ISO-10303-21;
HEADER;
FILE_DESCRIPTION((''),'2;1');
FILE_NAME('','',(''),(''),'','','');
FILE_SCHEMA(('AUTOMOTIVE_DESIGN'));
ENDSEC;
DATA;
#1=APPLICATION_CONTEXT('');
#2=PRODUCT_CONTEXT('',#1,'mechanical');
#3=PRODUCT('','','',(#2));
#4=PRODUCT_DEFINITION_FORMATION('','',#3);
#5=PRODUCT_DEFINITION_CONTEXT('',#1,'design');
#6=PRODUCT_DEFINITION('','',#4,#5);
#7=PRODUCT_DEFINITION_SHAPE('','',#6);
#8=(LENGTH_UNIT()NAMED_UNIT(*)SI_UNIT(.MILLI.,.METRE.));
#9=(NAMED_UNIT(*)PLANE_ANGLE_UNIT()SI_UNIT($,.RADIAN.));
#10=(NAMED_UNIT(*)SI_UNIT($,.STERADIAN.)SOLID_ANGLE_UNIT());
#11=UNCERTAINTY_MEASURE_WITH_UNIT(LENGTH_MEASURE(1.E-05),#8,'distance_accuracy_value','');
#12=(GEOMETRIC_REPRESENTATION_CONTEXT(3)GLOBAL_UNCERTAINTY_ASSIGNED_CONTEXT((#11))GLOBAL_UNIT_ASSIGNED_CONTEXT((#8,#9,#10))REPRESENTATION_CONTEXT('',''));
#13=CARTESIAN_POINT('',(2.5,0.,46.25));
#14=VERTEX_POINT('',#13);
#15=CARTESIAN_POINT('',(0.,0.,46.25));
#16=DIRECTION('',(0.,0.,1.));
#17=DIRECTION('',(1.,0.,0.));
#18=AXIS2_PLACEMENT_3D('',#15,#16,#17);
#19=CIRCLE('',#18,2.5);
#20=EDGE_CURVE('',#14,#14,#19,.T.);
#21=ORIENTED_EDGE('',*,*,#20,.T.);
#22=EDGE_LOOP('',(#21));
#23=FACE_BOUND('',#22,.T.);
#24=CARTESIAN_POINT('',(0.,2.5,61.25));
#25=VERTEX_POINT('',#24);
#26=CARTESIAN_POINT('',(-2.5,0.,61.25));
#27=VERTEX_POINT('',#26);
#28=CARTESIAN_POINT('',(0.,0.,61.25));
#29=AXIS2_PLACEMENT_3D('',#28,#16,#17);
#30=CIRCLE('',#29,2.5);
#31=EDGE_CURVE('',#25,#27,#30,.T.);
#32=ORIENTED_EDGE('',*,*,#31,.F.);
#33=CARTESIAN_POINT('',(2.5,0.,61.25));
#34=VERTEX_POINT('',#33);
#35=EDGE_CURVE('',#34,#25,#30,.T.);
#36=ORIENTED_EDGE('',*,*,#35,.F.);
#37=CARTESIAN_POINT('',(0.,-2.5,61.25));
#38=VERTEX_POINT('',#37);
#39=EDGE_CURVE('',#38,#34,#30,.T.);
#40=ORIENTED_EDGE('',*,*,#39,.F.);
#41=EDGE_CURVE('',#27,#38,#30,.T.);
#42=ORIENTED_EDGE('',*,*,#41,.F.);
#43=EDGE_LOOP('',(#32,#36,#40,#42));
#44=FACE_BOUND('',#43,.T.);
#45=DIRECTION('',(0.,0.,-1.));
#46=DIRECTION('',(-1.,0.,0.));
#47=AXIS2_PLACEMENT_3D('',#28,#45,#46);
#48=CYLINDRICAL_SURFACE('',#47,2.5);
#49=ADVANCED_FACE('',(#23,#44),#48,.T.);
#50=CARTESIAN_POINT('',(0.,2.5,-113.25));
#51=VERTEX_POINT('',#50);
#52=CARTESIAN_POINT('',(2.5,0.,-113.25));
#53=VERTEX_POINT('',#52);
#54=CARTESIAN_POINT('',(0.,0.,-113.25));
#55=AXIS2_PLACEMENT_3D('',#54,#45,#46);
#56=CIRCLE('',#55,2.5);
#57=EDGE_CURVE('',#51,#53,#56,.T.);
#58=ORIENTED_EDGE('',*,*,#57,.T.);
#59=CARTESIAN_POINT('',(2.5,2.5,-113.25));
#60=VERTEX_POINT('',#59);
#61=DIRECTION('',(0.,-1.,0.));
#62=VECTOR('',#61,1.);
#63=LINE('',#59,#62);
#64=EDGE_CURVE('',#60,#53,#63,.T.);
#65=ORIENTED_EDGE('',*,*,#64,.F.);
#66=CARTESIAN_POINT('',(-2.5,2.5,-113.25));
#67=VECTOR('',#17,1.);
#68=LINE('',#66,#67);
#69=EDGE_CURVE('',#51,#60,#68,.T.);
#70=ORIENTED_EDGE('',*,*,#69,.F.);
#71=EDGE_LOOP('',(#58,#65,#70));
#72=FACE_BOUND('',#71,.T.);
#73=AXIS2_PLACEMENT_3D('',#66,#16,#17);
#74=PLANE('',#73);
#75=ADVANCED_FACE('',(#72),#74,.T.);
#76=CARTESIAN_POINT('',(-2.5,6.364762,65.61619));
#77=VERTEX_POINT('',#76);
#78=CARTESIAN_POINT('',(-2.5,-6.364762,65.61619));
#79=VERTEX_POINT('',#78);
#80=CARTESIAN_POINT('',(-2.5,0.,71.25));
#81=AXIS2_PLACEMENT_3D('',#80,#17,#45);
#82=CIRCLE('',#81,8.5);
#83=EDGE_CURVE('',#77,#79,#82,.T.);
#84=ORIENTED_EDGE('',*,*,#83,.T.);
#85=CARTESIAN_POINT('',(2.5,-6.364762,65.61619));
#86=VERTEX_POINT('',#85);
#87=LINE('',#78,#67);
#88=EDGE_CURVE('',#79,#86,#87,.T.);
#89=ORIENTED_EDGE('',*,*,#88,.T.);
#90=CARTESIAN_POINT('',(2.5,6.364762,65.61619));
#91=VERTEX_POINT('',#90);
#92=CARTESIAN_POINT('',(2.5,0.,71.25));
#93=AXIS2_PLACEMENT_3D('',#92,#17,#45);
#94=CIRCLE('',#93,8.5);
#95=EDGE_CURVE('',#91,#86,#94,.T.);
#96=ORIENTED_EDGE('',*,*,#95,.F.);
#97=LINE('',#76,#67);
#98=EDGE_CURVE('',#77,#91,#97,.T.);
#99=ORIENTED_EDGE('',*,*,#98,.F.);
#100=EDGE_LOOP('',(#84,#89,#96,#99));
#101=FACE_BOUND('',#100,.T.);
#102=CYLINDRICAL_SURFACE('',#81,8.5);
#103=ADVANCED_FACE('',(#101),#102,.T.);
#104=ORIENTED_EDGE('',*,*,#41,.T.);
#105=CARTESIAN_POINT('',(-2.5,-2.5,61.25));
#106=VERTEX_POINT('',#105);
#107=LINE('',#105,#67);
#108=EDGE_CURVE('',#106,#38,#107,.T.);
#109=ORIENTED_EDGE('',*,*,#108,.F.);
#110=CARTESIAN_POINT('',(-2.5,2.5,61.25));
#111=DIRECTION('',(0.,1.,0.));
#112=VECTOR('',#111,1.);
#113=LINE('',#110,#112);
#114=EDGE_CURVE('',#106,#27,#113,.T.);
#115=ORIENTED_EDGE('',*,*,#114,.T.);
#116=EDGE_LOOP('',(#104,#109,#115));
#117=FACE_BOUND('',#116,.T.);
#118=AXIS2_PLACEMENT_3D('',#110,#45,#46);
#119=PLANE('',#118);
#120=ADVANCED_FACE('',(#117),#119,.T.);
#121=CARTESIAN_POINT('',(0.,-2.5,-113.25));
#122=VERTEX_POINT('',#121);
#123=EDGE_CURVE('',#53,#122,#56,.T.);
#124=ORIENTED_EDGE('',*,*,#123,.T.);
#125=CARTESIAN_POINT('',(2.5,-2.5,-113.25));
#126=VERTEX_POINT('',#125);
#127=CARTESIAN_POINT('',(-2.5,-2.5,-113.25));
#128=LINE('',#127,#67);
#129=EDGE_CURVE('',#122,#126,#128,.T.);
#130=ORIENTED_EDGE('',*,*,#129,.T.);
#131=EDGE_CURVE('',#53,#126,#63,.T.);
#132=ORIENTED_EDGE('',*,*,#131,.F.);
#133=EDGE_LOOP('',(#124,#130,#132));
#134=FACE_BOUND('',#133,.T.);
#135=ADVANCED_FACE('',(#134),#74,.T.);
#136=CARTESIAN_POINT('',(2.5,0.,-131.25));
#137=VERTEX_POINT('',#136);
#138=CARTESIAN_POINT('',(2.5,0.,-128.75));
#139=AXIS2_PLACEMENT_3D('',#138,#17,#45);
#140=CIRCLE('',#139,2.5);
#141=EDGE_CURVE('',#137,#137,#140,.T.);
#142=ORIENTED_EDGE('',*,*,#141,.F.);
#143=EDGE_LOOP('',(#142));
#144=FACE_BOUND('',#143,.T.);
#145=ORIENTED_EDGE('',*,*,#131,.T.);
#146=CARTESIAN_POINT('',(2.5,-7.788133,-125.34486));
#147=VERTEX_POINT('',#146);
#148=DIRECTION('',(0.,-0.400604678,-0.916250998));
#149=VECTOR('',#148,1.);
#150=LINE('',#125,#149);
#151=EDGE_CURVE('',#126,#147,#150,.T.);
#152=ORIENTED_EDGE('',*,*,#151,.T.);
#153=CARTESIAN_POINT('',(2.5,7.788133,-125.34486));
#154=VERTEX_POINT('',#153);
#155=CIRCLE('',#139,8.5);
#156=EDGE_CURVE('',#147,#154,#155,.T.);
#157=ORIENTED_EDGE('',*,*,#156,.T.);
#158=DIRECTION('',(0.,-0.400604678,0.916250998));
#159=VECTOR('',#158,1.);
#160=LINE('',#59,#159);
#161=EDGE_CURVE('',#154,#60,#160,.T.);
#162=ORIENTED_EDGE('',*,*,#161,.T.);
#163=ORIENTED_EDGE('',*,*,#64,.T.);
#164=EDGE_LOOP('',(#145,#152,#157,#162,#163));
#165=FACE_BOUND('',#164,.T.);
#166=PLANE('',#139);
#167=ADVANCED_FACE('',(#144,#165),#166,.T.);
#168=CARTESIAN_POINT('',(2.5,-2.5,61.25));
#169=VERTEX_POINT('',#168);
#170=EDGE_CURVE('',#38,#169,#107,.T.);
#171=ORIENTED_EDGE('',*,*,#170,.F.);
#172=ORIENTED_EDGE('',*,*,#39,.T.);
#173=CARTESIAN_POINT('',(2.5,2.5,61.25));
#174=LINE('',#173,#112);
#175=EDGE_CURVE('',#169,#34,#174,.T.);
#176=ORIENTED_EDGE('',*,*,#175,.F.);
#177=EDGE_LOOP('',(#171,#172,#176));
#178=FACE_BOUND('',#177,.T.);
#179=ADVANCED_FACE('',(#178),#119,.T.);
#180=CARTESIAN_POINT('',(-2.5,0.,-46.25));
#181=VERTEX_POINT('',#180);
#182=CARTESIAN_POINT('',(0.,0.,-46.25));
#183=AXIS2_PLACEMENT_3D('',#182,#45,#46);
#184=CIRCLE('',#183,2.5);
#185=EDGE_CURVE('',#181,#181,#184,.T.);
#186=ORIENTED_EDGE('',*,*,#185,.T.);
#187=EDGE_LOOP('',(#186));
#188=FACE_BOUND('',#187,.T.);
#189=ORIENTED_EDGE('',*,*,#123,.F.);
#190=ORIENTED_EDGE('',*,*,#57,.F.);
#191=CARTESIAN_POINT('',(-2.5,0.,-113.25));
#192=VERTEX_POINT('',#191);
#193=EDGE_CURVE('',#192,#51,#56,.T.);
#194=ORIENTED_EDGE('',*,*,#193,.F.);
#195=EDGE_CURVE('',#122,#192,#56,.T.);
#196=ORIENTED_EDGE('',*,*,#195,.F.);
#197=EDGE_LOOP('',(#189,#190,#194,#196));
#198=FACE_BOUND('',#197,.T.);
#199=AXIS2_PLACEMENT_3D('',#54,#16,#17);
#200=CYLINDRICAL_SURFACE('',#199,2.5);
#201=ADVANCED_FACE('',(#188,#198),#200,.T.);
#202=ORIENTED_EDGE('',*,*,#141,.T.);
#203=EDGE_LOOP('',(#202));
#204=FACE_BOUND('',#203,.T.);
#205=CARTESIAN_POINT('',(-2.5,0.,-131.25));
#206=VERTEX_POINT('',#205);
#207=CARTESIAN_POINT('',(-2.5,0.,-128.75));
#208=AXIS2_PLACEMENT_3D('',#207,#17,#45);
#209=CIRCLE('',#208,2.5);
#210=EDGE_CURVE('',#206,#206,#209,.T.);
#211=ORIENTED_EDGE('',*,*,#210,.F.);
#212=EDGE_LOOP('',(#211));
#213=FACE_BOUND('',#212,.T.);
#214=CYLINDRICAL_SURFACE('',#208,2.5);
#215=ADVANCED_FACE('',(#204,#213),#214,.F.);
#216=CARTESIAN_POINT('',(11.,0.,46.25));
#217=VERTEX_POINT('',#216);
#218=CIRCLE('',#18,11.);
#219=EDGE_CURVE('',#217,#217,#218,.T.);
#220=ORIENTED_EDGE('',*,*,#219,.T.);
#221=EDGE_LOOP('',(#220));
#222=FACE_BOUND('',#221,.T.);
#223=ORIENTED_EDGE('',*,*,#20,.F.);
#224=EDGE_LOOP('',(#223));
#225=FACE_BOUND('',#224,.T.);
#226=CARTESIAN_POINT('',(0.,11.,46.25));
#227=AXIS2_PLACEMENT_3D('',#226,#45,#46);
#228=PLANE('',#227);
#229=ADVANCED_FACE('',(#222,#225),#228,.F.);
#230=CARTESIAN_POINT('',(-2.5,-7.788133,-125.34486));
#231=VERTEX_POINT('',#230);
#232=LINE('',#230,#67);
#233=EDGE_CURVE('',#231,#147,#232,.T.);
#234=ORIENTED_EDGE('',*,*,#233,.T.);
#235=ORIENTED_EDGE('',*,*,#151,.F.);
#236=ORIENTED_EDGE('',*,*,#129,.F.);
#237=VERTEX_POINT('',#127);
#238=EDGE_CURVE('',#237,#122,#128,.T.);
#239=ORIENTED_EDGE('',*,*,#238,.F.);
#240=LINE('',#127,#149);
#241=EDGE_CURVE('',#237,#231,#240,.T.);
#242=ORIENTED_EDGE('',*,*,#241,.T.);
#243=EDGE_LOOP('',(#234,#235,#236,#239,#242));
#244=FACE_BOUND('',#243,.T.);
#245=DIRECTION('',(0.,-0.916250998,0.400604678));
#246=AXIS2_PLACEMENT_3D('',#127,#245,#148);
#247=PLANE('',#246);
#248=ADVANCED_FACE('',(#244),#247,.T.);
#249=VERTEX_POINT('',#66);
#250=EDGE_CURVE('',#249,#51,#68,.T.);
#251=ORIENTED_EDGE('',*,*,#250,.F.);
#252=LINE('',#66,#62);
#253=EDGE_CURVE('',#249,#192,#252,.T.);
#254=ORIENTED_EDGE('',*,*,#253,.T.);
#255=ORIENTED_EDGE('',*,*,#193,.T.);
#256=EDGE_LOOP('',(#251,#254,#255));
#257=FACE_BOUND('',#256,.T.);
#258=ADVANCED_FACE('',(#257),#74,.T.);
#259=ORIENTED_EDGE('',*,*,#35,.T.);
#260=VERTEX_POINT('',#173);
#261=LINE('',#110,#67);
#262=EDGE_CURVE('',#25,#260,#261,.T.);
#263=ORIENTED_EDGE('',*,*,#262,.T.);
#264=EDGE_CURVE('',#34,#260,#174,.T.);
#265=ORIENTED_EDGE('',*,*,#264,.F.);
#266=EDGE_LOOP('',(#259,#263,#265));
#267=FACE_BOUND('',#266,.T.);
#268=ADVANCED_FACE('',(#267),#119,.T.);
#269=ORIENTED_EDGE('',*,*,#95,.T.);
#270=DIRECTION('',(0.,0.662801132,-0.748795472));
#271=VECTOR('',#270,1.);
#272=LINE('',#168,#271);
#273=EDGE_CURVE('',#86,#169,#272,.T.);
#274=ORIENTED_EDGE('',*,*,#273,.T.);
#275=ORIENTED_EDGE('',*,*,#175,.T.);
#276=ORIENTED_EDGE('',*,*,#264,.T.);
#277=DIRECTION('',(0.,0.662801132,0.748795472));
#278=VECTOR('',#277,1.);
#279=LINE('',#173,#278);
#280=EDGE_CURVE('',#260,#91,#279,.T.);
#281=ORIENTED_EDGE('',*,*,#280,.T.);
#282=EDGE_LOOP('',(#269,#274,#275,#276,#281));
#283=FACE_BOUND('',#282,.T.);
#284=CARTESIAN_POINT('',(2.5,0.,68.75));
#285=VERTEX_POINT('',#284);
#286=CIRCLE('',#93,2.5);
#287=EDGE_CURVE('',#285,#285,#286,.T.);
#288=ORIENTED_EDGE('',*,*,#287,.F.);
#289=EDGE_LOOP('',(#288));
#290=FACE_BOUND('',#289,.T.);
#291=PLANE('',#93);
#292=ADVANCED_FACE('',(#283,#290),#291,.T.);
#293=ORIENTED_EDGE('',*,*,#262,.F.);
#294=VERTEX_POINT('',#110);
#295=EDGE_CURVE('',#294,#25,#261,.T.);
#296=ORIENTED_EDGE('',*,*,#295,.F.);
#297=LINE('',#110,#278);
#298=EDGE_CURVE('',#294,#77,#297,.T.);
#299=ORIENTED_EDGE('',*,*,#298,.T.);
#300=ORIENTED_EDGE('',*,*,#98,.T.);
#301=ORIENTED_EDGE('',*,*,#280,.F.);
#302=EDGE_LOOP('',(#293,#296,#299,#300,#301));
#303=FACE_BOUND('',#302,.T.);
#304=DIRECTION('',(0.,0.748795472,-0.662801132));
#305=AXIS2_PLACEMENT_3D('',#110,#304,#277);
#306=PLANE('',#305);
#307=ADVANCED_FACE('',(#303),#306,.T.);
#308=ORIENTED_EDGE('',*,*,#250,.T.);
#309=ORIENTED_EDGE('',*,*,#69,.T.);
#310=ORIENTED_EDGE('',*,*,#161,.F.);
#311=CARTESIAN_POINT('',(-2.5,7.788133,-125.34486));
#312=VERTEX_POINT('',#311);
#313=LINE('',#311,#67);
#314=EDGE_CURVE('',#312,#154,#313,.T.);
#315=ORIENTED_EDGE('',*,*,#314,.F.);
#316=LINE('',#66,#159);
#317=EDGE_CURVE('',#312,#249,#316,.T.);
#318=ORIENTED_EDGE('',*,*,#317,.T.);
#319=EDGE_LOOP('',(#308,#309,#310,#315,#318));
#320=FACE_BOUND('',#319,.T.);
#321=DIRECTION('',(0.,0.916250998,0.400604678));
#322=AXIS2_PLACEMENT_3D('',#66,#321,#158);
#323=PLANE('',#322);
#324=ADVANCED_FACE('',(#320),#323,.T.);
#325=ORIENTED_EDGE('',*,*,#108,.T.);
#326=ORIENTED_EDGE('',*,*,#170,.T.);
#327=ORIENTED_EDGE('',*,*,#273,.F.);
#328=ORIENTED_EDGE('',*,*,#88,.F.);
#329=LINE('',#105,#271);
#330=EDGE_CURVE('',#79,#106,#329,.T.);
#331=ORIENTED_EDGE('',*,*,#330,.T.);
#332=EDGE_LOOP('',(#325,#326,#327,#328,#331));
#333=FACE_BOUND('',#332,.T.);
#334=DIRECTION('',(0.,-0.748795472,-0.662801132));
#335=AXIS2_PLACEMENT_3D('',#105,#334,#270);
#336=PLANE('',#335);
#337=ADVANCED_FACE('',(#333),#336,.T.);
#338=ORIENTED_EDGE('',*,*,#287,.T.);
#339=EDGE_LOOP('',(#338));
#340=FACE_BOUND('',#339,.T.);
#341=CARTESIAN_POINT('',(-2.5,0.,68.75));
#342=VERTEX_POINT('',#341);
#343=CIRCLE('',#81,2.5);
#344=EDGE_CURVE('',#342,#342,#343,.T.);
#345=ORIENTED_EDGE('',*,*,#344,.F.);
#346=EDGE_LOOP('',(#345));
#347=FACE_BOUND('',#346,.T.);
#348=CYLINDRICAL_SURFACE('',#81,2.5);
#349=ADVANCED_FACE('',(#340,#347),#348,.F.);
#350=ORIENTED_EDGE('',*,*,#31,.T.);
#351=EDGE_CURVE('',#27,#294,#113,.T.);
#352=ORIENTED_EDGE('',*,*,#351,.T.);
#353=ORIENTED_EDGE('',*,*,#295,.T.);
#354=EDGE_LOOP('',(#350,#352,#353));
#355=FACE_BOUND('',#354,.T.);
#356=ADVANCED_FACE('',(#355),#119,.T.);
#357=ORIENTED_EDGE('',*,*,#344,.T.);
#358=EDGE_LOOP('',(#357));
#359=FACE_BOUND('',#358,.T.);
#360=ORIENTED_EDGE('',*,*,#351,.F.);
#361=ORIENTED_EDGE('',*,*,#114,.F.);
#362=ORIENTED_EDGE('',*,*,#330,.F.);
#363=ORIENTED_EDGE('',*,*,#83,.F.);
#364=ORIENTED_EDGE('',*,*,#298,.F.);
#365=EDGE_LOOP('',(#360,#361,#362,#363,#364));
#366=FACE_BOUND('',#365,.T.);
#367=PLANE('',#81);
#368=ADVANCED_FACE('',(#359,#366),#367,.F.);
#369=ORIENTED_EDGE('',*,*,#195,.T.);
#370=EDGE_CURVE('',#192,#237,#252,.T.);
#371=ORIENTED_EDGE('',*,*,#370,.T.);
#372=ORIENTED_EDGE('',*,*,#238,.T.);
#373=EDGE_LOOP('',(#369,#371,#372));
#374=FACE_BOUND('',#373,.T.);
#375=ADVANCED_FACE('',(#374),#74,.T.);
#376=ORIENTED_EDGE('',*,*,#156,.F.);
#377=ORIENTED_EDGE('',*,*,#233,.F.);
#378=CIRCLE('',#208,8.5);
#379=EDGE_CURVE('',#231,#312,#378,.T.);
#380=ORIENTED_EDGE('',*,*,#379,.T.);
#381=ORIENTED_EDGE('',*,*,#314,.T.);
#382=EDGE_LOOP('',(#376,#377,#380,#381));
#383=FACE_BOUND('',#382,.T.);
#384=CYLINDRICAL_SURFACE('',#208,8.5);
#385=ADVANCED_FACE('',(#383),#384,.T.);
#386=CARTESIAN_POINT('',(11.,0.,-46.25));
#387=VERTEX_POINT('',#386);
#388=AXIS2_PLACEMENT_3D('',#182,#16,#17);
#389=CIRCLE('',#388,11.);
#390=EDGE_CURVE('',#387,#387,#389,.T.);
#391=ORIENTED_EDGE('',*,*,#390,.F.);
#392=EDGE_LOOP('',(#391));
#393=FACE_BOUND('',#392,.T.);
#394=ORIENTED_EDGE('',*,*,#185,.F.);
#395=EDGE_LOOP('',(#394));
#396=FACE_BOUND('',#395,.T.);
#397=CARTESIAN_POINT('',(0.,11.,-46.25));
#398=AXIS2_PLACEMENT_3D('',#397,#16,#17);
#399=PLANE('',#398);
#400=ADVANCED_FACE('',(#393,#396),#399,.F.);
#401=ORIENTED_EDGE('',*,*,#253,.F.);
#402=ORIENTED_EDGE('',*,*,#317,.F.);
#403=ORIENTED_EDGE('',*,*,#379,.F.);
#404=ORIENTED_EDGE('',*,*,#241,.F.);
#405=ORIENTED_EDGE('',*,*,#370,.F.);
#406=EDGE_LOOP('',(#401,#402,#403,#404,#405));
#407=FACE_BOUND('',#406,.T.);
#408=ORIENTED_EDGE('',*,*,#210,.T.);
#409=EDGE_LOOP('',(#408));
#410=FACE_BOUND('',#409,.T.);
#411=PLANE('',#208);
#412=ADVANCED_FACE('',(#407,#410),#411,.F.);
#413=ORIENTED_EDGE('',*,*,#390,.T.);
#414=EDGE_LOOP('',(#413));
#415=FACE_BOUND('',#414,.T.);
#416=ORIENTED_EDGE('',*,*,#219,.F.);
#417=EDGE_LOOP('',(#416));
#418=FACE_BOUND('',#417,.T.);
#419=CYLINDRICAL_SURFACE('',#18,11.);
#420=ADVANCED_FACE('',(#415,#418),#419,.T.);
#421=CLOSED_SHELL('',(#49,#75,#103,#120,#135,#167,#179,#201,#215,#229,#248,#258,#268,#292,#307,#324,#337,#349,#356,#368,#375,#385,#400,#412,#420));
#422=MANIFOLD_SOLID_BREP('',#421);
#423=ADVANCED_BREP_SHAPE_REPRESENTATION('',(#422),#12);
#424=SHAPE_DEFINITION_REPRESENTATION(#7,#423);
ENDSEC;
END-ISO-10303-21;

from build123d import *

# Parameters (mm, degrees)
SKETCH1_W                = 92.5
SKETCH1_H                = 11
SKETCH2_R                = 2.5
BOSS_EXTRUDE1_DEPTH      = 15
BOSS_EXTRUDE2_DEPTH      = 2.5
BOSS_EXTRUDE2_DEPTH_BACK = 2.5
SKETCH3_R                = 2.5
BOSS_EXTRUDE3_START      = 67
SKETCH4_R                = 2.5
BOSS_EXTRUDE3_DEPTH      = 67
BOSS_EXTRUDE4_DEPTH      = 2.5
BOSS_EXTRUDE4_DEPTH_BACK = 2.5
SKETCH5_R                = 2.5


with BuildPart() as part:
    # Sketch1 → Revolve1 (revolve)
    with BuildSketch(Plane(origin=(0, 0, 0), x_dir=(0, 0, -1), z_dir=(1, 0, 0))):
        with Locations((0, 5.5)):
            Rectangle(SKETCH1_W, SKETCH1_H)
    revolve(axis=Axis((0, 0, 46.25), (0, 0, -1)))

    # Sketch2 → Boss-Extrude1 (add)
    with BuildSketch(Plane.XY.offset(46.25)):
        Circle(SKETCH2_R)
    extrude(amount=BOSS_EXTRUDE1_DEPTH)

    # Sketch3 → Boss-Extrude2 (add, two sides: drawn at the far end of the back side and taken through both)
    with BuildSketch(Plane(origin=(0, 0, 0), x_dir=(0, 0, -1), z_dir=(1, 0, 0)).offset(-BOSS_EXTRUDE2_DEPTH_BACK)):
        with BuildLine():
            Line((-61.25, 2.5), (-65.616190379, 6.364761516))
            ThreePointArc((-65.616190379, 6.364761516), (-79.75, 0), (-65.616190379, -6.364761516))
            Line((-65.616190379, -6.364761516), (-61.25, -2.5))
            Line((-61.25, -2.5), (-61.25, 2.5))
        make_face()
        with Locations((-71.25, 0)):
            Circle(SKETCH3_R, mode=Mode.SUBTRACT)
    extrude(amount=BOSS_EXTRUDE2_DEPTH + BOSS_EXTRUDE2_DEPTH_BACK)

    # Sketch4 → Boss-Extrude3 (add)
    with BuildSketch(Plane(origin=(0, 0, -46.25), x_dir=(-1, 0, 0), z_dir=(0, 0, -1)).offset(BOSS_EXTRUDE3_START)):
        Circle(SKETCH4_R)
    extrude(amount=-BOSS_EXTRUDE3_DEPTH)

    # Sketch5 → Boss-Extrude4 (add, two sides: drawn at the far end of the back side and taken through both)
    with BuildSketch(Plane(origin=(0, 0, 0), x_dir=(0, 0, -1), z_dir=(1, 0, 0)).offset(-BOSS_EXTRUDE4_DEPTH_BACK)):
        with BuildLine():
            Line((113.25, 2.5), (125.34486024, 7.788133487))
            ThreePointArc((125.34486024, 7.788133487), (137.25, 0), (125.34486024, -7.788133487))
            Line((125.34486024, -7.788133487), (113.25, -2.5))
            Line((113.25, -2.5), (113.25, 2.5))
        make_face()
        with Locations((128.75, 0)):
            Circle(SKETCH5_R, mode=Mode.SUBTRACT)
    extrude(amount=BOSS_EXTRUDE4_DEPTH + BOSS_EXTRUDE4_DEPTH_BACK)


solid = part.part
